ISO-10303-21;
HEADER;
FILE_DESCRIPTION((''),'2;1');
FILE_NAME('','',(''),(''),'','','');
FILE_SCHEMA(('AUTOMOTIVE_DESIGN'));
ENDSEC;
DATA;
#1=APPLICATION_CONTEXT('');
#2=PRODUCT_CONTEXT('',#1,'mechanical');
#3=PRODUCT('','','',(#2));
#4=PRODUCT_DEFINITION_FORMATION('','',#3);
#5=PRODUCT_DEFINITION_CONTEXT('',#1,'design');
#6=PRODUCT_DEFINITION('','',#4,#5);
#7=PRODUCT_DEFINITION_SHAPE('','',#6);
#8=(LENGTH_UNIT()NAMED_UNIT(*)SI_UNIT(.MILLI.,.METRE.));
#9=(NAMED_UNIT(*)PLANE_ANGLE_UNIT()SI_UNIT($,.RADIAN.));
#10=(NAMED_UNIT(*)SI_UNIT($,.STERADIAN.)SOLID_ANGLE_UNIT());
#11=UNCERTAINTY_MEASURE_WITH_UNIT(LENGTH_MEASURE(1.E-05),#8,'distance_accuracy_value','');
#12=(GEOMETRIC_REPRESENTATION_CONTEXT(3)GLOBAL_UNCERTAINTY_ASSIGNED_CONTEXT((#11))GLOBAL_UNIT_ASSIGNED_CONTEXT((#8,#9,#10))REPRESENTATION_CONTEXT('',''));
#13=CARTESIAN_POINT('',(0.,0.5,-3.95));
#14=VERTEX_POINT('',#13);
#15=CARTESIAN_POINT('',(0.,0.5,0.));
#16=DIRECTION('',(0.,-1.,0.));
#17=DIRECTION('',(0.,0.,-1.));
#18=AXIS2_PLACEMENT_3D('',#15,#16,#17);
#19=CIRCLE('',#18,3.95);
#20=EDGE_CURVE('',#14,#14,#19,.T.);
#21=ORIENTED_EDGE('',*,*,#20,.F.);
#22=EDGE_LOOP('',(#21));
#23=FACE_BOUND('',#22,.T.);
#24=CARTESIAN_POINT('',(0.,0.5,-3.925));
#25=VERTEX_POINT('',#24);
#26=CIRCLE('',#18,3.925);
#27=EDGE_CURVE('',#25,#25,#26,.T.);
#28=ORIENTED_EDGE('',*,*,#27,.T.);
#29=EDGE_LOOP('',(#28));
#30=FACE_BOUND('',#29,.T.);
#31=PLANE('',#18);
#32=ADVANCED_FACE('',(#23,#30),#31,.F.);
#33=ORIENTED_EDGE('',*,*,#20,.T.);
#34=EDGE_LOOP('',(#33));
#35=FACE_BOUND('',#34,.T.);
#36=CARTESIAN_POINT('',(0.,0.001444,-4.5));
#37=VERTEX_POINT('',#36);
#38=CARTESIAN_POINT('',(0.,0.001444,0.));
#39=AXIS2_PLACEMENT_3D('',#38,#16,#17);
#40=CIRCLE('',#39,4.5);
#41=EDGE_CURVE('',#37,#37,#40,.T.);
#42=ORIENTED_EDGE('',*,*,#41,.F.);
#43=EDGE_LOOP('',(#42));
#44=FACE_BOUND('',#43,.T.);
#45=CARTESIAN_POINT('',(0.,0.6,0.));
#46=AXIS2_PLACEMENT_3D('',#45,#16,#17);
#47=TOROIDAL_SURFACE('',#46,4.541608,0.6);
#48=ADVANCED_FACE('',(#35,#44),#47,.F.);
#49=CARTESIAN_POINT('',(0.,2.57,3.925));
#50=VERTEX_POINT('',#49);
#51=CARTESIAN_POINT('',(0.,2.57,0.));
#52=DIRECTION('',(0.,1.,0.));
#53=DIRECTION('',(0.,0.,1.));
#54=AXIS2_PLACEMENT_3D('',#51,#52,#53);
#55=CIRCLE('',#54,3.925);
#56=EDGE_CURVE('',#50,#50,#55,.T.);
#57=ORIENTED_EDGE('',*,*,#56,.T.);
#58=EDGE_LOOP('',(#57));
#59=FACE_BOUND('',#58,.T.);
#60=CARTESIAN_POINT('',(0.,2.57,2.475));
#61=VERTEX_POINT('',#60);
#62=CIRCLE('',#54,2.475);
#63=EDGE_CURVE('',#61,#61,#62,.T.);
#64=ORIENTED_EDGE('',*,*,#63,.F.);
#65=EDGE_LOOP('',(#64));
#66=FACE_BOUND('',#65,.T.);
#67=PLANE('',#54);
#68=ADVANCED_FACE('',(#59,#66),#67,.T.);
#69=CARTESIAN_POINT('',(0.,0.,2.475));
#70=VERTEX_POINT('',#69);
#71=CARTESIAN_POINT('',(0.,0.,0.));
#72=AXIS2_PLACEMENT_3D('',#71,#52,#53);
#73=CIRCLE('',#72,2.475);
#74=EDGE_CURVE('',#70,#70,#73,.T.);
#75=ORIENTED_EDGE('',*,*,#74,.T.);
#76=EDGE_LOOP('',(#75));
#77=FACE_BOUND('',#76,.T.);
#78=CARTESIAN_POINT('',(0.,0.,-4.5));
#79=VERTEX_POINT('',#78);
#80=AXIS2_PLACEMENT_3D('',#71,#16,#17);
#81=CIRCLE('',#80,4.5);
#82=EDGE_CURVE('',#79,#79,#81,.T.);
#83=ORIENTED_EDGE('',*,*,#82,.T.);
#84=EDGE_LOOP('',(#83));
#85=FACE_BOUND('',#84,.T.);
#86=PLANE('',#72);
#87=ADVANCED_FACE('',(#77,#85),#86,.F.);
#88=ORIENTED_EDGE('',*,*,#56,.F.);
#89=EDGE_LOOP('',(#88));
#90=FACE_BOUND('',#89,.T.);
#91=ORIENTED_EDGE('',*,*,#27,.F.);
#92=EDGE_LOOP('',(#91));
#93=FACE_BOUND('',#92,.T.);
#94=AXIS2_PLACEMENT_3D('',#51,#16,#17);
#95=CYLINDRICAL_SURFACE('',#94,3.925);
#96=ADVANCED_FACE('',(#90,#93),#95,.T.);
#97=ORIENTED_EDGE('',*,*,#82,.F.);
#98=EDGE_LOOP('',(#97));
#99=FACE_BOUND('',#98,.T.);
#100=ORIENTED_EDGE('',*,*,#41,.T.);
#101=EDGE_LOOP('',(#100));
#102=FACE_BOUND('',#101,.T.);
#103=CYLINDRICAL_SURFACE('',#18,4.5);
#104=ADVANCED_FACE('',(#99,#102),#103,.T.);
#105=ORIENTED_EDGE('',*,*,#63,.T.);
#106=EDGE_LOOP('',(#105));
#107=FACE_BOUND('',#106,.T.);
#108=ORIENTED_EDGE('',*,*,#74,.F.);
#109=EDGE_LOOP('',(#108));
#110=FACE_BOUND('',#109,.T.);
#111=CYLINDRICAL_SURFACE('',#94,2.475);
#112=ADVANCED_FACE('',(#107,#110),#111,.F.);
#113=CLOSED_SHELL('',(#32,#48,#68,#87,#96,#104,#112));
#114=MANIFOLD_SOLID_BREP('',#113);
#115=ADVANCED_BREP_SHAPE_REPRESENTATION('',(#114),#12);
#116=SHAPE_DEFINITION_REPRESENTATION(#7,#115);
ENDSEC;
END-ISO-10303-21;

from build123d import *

# Parameters (mm, degrees)
SKETCH_1_R      = 3.925
SKETCH_1_R_2    = 2.475
EXTRUDE_1_DEPTH = 2.57
SKETCH_2_R      = 4.5
SKETCH_2_R_2    = 3.925
EXTRUDE_2_DEPTH = 0.5


with BuildPart() as part:
    # Эскиз1 → Бобышка-Вытянуть1 (new body)
    with BuildSketch(Plane(origin=(0, 0, 0), x_dir=(1, 0, 0), z_dir=(0, 1, 0))):
        Circle(SKETCH_1_R)
        Circle(SKETCH_1_R_2, mode=Mode.SUBTRACT)
    extrude(amount=EXTRUDE_1_DEPTH)

    # Эскиз2 → Бобышка-Вытянуть2 (add)
    with BuildSketch(Plane.XZ):
        Circle(SKETCH_2_R)
        Circle(SKETCH_2_R_2, mode=Mode.SUBTRACT)
    extrude(amount=-EXTRUDE_2_DEPTH)

    # Эскиз3 → Вырез-Повернуть1 (revolve, cut)
    with BuildSketch(Plane.XY):
        with BuildLine():
            Line((-4.5, 0.001444425), (-4.5, 0.5))
            Line((-4.5, 0.5), (-3.95, 0.5))
            ThreePointArc((-3.95, 0.5), (-4.138643926, 0.15545532), (-4.5, 0.001444425))
        make_face()
    revolve(axis=Axis((0, 0, 0), (0, 1, 0)), mode=Mode.SUBTRACT)


solid = part.part
